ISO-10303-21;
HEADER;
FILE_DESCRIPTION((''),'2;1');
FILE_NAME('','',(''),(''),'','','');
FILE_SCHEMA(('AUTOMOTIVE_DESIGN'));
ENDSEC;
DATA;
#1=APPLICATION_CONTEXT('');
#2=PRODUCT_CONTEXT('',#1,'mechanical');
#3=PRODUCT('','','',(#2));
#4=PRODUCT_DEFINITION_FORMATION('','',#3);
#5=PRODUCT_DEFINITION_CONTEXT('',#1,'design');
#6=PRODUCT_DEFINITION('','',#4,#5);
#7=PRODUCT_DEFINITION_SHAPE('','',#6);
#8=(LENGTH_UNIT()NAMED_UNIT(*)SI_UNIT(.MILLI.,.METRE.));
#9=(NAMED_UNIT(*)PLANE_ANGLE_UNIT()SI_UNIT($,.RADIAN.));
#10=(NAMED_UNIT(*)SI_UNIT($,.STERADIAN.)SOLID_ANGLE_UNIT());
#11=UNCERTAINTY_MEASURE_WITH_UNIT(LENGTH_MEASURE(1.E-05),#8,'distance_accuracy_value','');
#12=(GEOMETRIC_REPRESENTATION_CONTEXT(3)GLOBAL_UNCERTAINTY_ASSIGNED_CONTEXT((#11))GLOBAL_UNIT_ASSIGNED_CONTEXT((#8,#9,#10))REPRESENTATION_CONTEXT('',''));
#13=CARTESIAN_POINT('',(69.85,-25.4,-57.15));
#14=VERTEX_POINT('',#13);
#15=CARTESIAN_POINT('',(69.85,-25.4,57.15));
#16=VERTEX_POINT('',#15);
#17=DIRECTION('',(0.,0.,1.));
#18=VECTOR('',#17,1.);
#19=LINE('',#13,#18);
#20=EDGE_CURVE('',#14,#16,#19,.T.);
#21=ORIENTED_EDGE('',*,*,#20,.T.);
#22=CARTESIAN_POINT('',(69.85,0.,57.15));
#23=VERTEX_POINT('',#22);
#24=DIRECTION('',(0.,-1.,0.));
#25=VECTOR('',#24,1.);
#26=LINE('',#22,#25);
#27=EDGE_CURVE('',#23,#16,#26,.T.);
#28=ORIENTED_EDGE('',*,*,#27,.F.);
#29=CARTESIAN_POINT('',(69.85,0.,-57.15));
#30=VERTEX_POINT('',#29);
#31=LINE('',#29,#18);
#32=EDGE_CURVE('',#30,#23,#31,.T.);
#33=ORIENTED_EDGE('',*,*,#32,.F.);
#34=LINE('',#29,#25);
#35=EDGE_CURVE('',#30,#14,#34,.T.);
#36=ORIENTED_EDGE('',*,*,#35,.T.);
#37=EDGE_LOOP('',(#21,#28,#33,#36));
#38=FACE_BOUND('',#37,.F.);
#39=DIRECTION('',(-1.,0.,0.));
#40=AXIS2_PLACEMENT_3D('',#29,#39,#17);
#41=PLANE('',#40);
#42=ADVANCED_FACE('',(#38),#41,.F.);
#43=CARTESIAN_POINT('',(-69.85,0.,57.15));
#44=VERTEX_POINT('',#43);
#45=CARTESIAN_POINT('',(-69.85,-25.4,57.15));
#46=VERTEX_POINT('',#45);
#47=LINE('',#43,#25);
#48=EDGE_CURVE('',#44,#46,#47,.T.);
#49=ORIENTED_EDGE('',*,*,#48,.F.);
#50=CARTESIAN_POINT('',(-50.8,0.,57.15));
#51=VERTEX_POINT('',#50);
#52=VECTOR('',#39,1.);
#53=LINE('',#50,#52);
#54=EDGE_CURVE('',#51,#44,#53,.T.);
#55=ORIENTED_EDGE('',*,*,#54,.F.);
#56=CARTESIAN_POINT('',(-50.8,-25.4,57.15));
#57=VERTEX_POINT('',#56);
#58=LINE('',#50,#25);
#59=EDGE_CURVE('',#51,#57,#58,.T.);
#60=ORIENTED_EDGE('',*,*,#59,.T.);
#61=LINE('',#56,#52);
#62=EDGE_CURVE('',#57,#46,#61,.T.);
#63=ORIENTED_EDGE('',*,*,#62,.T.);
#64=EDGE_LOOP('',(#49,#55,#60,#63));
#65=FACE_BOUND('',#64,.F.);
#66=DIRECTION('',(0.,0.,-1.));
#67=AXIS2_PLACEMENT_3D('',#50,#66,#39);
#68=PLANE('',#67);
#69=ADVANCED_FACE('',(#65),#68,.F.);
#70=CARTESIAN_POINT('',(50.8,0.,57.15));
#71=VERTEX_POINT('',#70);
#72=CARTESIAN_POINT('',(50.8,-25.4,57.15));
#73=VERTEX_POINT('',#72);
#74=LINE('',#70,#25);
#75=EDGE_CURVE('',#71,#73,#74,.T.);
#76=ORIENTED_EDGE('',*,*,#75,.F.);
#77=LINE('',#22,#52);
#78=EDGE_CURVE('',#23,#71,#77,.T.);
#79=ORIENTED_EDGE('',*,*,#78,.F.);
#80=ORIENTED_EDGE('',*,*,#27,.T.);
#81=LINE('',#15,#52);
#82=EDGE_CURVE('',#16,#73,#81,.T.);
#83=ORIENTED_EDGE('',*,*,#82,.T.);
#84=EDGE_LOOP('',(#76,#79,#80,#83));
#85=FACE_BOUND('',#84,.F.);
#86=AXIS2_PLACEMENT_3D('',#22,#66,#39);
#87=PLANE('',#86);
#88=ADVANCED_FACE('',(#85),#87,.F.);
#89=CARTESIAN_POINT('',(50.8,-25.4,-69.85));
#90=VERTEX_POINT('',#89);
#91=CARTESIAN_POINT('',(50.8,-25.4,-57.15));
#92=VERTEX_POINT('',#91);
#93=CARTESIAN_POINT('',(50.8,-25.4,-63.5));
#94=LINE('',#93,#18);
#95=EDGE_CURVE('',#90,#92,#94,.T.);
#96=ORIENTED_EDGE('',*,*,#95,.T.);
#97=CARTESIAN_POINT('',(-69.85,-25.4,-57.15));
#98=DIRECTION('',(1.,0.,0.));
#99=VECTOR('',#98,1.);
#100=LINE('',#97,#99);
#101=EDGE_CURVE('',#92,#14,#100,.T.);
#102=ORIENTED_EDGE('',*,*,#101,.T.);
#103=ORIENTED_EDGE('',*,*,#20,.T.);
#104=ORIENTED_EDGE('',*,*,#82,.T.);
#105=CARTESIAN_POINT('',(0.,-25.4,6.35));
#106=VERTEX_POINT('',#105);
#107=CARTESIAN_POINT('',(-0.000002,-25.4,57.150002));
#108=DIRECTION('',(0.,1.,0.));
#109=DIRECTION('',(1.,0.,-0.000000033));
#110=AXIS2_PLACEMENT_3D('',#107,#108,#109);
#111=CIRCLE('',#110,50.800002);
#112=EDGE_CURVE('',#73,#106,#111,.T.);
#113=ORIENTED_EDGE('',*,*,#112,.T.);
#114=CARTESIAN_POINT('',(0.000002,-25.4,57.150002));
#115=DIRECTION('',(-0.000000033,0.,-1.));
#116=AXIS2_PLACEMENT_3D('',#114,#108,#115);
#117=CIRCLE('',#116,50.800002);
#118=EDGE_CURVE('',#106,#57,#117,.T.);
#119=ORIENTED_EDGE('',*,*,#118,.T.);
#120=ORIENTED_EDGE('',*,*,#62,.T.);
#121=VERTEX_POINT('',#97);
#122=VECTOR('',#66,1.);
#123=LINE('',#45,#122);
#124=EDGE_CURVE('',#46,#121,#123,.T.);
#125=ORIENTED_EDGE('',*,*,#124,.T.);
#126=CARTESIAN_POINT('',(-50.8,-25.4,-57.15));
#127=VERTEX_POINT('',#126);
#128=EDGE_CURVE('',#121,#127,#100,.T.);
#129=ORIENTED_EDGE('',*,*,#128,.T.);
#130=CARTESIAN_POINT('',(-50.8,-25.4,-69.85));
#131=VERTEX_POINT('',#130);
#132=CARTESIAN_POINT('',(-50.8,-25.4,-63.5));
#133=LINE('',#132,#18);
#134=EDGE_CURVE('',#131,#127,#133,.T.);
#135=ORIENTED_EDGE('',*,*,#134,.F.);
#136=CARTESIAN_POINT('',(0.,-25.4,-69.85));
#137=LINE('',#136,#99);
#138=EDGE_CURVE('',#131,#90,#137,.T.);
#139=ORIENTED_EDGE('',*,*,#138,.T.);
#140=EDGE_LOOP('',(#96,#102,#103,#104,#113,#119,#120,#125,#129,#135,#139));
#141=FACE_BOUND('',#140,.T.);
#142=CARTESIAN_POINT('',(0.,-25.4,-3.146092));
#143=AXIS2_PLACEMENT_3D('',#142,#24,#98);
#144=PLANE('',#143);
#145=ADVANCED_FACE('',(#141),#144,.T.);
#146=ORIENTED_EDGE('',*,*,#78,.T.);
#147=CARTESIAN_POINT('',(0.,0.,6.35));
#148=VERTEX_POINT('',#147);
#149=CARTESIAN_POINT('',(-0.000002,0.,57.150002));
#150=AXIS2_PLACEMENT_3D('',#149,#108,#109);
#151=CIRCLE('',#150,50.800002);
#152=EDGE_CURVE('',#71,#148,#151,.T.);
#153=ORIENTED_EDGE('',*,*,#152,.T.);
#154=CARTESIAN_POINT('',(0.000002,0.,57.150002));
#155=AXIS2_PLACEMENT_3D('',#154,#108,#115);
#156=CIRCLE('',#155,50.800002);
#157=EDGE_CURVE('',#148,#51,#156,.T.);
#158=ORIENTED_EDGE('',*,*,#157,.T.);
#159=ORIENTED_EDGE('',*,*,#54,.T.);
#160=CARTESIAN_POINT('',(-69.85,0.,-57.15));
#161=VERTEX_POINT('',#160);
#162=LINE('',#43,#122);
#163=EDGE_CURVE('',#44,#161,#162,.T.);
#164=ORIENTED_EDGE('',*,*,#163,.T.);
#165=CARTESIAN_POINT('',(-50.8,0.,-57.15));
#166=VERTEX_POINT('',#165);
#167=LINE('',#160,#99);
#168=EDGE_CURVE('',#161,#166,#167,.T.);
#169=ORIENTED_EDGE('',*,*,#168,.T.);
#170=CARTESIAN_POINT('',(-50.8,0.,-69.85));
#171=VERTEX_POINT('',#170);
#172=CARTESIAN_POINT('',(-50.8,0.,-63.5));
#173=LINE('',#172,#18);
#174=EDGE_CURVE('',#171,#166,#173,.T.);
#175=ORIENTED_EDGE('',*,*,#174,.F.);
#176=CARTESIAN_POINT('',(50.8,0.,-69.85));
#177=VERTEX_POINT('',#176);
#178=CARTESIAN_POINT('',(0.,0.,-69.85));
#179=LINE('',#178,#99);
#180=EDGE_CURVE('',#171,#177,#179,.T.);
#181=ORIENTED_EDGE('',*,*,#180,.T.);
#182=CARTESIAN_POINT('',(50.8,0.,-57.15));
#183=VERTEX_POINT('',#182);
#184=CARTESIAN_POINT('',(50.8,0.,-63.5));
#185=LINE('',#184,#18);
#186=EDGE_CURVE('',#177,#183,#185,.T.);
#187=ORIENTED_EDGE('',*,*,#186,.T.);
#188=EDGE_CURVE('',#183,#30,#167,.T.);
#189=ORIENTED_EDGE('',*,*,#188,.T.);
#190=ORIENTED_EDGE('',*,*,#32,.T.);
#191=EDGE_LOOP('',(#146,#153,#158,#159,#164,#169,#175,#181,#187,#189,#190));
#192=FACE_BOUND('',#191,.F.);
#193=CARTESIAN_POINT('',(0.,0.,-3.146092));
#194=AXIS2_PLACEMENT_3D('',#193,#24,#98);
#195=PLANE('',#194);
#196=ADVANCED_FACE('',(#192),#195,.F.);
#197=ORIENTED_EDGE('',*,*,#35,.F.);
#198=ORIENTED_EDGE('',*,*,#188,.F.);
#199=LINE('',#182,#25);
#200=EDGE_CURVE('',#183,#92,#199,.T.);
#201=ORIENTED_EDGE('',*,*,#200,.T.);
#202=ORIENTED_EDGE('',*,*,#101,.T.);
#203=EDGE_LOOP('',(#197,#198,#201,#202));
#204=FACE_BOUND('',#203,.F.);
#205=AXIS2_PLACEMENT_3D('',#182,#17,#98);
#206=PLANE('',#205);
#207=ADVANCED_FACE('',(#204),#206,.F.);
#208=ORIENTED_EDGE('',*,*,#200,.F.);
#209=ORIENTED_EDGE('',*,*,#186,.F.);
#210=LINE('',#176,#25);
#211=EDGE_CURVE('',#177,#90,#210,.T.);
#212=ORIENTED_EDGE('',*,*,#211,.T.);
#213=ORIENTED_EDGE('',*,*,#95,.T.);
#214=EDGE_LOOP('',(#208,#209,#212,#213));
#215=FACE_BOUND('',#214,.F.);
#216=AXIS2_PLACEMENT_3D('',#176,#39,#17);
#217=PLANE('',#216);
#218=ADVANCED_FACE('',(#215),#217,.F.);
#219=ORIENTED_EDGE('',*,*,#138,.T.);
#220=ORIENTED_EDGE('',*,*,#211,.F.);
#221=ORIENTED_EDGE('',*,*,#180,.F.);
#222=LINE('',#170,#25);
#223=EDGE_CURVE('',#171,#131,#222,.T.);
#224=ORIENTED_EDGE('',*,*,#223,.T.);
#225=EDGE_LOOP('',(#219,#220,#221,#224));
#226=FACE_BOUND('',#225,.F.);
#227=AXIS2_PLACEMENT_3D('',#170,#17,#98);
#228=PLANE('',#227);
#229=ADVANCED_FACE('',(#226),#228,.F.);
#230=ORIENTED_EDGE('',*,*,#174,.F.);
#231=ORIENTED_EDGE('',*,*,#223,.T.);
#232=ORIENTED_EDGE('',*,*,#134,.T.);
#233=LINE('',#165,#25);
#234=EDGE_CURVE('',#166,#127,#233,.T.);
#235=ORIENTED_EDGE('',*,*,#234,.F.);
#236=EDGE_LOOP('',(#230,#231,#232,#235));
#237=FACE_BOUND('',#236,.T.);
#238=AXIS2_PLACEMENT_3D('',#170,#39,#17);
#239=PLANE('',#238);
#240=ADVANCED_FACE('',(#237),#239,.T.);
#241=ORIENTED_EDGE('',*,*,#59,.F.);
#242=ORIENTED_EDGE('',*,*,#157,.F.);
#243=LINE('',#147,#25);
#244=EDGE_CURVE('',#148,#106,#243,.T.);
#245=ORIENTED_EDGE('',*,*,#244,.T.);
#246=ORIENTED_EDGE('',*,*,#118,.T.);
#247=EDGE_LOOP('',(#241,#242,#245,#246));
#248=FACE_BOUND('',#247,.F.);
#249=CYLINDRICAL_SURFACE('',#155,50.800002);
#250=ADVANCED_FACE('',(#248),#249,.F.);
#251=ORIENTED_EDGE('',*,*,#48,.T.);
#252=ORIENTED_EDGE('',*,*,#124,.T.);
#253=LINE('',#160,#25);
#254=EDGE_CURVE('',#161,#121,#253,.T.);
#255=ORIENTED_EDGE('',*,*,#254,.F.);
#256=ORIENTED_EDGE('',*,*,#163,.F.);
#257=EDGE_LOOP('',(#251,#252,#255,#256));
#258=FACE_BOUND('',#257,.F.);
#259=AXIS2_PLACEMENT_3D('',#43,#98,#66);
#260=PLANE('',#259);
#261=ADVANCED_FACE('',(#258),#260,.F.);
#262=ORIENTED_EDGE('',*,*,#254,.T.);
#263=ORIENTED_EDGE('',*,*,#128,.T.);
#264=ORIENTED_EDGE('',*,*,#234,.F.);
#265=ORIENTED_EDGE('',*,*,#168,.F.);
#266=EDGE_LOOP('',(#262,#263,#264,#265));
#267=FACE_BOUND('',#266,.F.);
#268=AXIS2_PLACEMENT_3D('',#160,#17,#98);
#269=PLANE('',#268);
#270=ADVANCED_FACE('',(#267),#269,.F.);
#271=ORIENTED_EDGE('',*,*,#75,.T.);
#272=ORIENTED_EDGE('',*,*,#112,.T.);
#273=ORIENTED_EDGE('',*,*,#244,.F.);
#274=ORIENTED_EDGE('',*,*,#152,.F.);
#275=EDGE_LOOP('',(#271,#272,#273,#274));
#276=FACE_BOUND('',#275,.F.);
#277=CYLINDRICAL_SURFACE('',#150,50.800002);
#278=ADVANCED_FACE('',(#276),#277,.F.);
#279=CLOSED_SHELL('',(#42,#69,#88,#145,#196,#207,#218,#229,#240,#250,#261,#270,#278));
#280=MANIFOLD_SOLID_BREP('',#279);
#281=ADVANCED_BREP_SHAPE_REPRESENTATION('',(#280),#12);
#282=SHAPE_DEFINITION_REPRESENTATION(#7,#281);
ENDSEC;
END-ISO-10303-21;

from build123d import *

# Parameters (mm, degrees)
F0_W     = 101.6
F0_H     = 12.7
F1_DEPTH = 25.4


with BuildPart() as f1:
    # F0 (on Front) → F1 (new body)
    with BuildSketch(Plane.XZ):
        with BuildLine():
            Line((69.85, -57.15), (69.85, 57.15))
            Line((69.85, 57.15), (50.8, 57.15))
            ThreePointArc((50.8, 57.15), (35.921024, 21.228976), (0, 6.35))
            ThreePointArc((0, 6.35), (-35.921024, 21.228976), (-50.8, 57.15))
            Line((-50.8, 57.15), (-69.85, 57.15))
            Line((-69.85, 57.15), (-69.85, -57.15))
            Line((-69.85, -57.15), (-50.8, -57.15))
            Line((-50.8, -57.15), (50.8, -57.15))
            Line((50.8, -57.15), (69.85, -57.15))
        make_face()
        with Locations((0, -63.5)):
            Rectangle(F0_W, F0_H)
    extrude(amount=F1_DEPTH)


solid = f1.part
